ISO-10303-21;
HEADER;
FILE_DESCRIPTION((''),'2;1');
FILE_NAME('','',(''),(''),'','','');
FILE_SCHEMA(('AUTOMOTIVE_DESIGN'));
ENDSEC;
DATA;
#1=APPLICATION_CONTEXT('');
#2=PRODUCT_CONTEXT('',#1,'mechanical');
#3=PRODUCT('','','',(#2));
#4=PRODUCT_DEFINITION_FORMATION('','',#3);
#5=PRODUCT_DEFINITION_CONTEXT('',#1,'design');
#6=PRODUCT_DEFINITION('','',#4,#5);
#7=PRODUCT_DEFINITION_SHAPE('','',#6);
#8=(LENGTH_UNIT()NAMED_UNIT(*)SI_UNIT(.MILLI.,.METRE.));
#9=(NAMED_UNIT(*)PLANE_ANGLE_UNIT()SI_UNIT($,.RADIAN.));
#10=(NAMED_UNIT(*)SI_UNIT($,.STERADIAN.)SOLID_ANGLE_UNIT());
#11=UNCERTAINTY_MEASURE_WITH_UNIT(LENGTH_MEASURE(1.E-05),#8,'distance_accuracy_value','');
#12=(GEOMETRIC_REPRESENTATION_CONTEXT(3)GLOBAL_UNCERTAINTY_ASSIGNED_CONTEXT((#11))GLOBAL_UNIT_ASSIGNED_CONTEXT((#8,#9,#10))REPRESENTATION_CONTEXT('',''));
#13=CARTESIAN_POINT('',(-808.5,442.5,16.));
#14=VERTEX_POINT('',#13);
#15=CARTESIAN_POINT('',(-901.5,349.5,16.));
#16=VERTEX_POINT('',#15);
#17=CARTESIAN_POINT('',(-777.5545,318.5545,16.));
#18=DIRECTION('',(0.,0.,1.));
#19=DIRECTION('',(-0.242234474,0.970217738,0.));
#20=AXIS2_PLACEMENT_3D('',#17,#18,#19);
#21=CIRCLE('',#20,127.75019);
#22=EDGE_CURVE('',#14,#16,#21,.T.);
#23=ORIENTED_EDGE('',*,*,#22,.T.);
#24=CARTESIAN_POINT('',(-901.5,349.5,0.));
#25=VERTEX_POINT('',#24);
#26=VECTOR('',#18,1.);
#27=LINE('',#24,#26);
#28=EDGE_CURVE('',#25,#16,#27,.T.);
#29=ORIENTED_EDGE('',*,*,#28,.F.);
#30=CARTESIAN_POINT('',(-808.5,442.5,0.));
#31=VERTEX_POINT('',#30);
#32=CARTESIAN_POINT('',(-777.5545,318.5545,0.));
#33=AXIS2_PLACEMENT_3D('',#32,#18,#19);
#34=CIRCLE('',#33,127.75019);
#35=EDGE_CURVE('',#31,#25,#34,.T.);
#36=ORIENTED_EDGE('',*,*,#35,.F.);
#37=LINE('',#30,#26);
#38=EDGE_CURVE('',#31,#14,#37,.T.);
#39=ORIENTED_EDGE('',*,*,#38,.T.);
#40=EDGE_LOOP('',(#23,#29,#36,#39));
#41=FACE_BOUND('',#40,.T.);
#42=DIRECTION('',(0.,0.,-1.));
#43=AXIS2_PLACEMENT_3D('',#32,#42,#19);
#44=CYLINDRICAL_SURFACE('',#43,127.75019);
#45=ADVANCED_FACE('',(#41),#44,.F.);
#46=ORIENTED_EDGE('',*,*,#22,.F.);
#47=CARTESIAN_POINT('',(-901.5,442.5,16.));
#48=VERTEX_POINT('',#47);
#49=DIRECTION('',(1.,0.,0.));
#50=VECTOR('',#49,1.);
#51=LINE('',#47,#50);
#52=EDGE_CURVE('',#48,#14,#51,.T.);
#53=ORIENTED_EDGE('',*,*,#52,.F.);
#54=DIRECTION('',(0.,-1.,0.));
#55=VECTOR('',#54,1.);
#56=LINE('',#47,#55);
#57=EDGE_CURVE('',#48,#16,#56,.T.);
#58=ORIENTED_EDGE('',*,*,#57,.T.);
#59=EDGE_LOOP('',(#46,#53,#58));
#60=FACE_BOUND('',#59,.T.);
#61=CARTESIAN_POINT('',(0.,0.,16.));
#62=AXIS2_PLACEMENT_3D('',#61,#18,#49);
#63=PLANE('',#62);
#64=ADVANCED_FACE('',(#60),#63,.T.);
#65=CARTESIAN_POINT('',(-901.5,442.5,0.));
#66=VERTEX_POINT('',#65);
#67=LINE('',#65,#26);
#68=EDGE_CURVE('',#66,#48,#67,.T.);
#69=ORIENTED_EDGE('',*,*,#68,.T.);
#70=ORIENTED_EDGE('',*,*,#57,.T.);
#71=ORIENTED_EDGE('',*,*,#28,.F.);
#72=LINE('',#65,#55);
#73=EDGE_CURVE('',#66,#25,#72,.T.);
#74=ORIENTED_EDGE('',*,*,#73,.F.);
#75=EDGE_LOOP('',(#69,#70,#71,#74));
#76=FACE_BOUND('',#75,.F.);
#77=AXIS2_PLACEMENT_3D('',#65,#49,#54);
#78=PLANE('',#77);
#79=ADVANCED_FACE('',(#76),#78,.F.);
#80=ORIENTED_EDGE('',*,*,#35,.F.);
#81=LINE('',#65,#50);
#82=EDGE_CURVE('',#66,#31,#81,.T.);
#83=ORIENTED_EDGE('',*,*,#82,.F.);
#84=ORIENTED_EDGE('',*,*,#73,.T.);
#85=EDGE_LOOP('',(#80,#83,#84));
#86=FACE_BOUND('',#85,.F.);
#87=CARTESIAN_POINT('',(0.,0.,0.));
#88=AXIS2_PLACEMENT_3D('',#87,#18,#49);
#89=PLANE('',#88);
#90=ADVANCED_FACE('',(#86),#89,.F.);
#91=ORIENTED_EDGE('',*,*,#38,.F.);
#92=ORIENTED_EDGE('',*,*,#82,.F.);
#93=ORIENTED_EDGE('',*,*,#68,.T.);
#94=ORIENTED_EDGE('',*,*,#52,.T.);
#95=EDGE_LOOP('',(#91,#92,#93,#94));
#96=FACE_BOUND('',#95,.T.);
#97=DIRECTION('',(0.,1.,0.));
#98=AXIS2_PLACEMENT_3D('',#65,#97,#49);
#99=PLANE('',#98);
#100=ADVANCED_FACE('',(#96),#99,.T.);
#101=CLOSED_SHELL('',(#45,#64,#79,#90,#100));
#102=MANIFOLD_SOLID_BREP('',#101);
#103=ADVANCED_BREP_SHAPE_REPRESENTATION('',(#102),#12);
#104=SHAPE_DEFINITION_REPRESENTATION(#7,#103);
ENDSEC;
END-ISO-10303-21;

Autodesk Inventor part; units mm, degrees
ref_plane "YZ Plane" through (0, 0, 0) normal (1, 0, 0) x (0, 1, 0)
ref_plane "XZ Plane" through (0, 0, 0) normal (0, 1, 0) x (-1, 0, 0)
sketch "Skizze1" plane through (0, 0, 0) normal (0, 0, 1) x (1, 0, 0)
  line L0 (-901.5, -442.5) -> (-901.5, 442.5) construction
  line L1 (-901.5, 442.5) -> (901.5, 442.5) construction
  line L2 (901.5, 442.5) -> (901.5, -442.5) construction
  line L3 (901.5, -442.5) -> (-901.5, -442.5) construction
  line L4 (914, 455) -> (-914, 455) construction
  line L5 (-914, 455) -> (-914, -455) construction
  line L6 (-914, -455) -> (914, -455) construction
  line L7 (914, -455) -> (914, 455) construction
  line L8 (-901.5, 442.5) -> (-808.5, 442.5)
  line L9 (-901.5, 442.5) -> (-901.5, 349.5)
  arc A0 (-808.5, 442.5) -> (-901.5, 349.5) centre (-777.5545, 318.5545) ccw
  point P0 (0, 0)
  dimension "d0" = 93
  dimension "d1" = 93
ref_plane "Arbeitsebene1" through (-914, -455, 16) normal (0, 0, 1) x (1, 0, 0)
extrude "Extrusion1" add sketch "Skizze1" along normal up to surface (16 mm away)
properties part number "Corner" material "Acetalharz, Schwarz"
